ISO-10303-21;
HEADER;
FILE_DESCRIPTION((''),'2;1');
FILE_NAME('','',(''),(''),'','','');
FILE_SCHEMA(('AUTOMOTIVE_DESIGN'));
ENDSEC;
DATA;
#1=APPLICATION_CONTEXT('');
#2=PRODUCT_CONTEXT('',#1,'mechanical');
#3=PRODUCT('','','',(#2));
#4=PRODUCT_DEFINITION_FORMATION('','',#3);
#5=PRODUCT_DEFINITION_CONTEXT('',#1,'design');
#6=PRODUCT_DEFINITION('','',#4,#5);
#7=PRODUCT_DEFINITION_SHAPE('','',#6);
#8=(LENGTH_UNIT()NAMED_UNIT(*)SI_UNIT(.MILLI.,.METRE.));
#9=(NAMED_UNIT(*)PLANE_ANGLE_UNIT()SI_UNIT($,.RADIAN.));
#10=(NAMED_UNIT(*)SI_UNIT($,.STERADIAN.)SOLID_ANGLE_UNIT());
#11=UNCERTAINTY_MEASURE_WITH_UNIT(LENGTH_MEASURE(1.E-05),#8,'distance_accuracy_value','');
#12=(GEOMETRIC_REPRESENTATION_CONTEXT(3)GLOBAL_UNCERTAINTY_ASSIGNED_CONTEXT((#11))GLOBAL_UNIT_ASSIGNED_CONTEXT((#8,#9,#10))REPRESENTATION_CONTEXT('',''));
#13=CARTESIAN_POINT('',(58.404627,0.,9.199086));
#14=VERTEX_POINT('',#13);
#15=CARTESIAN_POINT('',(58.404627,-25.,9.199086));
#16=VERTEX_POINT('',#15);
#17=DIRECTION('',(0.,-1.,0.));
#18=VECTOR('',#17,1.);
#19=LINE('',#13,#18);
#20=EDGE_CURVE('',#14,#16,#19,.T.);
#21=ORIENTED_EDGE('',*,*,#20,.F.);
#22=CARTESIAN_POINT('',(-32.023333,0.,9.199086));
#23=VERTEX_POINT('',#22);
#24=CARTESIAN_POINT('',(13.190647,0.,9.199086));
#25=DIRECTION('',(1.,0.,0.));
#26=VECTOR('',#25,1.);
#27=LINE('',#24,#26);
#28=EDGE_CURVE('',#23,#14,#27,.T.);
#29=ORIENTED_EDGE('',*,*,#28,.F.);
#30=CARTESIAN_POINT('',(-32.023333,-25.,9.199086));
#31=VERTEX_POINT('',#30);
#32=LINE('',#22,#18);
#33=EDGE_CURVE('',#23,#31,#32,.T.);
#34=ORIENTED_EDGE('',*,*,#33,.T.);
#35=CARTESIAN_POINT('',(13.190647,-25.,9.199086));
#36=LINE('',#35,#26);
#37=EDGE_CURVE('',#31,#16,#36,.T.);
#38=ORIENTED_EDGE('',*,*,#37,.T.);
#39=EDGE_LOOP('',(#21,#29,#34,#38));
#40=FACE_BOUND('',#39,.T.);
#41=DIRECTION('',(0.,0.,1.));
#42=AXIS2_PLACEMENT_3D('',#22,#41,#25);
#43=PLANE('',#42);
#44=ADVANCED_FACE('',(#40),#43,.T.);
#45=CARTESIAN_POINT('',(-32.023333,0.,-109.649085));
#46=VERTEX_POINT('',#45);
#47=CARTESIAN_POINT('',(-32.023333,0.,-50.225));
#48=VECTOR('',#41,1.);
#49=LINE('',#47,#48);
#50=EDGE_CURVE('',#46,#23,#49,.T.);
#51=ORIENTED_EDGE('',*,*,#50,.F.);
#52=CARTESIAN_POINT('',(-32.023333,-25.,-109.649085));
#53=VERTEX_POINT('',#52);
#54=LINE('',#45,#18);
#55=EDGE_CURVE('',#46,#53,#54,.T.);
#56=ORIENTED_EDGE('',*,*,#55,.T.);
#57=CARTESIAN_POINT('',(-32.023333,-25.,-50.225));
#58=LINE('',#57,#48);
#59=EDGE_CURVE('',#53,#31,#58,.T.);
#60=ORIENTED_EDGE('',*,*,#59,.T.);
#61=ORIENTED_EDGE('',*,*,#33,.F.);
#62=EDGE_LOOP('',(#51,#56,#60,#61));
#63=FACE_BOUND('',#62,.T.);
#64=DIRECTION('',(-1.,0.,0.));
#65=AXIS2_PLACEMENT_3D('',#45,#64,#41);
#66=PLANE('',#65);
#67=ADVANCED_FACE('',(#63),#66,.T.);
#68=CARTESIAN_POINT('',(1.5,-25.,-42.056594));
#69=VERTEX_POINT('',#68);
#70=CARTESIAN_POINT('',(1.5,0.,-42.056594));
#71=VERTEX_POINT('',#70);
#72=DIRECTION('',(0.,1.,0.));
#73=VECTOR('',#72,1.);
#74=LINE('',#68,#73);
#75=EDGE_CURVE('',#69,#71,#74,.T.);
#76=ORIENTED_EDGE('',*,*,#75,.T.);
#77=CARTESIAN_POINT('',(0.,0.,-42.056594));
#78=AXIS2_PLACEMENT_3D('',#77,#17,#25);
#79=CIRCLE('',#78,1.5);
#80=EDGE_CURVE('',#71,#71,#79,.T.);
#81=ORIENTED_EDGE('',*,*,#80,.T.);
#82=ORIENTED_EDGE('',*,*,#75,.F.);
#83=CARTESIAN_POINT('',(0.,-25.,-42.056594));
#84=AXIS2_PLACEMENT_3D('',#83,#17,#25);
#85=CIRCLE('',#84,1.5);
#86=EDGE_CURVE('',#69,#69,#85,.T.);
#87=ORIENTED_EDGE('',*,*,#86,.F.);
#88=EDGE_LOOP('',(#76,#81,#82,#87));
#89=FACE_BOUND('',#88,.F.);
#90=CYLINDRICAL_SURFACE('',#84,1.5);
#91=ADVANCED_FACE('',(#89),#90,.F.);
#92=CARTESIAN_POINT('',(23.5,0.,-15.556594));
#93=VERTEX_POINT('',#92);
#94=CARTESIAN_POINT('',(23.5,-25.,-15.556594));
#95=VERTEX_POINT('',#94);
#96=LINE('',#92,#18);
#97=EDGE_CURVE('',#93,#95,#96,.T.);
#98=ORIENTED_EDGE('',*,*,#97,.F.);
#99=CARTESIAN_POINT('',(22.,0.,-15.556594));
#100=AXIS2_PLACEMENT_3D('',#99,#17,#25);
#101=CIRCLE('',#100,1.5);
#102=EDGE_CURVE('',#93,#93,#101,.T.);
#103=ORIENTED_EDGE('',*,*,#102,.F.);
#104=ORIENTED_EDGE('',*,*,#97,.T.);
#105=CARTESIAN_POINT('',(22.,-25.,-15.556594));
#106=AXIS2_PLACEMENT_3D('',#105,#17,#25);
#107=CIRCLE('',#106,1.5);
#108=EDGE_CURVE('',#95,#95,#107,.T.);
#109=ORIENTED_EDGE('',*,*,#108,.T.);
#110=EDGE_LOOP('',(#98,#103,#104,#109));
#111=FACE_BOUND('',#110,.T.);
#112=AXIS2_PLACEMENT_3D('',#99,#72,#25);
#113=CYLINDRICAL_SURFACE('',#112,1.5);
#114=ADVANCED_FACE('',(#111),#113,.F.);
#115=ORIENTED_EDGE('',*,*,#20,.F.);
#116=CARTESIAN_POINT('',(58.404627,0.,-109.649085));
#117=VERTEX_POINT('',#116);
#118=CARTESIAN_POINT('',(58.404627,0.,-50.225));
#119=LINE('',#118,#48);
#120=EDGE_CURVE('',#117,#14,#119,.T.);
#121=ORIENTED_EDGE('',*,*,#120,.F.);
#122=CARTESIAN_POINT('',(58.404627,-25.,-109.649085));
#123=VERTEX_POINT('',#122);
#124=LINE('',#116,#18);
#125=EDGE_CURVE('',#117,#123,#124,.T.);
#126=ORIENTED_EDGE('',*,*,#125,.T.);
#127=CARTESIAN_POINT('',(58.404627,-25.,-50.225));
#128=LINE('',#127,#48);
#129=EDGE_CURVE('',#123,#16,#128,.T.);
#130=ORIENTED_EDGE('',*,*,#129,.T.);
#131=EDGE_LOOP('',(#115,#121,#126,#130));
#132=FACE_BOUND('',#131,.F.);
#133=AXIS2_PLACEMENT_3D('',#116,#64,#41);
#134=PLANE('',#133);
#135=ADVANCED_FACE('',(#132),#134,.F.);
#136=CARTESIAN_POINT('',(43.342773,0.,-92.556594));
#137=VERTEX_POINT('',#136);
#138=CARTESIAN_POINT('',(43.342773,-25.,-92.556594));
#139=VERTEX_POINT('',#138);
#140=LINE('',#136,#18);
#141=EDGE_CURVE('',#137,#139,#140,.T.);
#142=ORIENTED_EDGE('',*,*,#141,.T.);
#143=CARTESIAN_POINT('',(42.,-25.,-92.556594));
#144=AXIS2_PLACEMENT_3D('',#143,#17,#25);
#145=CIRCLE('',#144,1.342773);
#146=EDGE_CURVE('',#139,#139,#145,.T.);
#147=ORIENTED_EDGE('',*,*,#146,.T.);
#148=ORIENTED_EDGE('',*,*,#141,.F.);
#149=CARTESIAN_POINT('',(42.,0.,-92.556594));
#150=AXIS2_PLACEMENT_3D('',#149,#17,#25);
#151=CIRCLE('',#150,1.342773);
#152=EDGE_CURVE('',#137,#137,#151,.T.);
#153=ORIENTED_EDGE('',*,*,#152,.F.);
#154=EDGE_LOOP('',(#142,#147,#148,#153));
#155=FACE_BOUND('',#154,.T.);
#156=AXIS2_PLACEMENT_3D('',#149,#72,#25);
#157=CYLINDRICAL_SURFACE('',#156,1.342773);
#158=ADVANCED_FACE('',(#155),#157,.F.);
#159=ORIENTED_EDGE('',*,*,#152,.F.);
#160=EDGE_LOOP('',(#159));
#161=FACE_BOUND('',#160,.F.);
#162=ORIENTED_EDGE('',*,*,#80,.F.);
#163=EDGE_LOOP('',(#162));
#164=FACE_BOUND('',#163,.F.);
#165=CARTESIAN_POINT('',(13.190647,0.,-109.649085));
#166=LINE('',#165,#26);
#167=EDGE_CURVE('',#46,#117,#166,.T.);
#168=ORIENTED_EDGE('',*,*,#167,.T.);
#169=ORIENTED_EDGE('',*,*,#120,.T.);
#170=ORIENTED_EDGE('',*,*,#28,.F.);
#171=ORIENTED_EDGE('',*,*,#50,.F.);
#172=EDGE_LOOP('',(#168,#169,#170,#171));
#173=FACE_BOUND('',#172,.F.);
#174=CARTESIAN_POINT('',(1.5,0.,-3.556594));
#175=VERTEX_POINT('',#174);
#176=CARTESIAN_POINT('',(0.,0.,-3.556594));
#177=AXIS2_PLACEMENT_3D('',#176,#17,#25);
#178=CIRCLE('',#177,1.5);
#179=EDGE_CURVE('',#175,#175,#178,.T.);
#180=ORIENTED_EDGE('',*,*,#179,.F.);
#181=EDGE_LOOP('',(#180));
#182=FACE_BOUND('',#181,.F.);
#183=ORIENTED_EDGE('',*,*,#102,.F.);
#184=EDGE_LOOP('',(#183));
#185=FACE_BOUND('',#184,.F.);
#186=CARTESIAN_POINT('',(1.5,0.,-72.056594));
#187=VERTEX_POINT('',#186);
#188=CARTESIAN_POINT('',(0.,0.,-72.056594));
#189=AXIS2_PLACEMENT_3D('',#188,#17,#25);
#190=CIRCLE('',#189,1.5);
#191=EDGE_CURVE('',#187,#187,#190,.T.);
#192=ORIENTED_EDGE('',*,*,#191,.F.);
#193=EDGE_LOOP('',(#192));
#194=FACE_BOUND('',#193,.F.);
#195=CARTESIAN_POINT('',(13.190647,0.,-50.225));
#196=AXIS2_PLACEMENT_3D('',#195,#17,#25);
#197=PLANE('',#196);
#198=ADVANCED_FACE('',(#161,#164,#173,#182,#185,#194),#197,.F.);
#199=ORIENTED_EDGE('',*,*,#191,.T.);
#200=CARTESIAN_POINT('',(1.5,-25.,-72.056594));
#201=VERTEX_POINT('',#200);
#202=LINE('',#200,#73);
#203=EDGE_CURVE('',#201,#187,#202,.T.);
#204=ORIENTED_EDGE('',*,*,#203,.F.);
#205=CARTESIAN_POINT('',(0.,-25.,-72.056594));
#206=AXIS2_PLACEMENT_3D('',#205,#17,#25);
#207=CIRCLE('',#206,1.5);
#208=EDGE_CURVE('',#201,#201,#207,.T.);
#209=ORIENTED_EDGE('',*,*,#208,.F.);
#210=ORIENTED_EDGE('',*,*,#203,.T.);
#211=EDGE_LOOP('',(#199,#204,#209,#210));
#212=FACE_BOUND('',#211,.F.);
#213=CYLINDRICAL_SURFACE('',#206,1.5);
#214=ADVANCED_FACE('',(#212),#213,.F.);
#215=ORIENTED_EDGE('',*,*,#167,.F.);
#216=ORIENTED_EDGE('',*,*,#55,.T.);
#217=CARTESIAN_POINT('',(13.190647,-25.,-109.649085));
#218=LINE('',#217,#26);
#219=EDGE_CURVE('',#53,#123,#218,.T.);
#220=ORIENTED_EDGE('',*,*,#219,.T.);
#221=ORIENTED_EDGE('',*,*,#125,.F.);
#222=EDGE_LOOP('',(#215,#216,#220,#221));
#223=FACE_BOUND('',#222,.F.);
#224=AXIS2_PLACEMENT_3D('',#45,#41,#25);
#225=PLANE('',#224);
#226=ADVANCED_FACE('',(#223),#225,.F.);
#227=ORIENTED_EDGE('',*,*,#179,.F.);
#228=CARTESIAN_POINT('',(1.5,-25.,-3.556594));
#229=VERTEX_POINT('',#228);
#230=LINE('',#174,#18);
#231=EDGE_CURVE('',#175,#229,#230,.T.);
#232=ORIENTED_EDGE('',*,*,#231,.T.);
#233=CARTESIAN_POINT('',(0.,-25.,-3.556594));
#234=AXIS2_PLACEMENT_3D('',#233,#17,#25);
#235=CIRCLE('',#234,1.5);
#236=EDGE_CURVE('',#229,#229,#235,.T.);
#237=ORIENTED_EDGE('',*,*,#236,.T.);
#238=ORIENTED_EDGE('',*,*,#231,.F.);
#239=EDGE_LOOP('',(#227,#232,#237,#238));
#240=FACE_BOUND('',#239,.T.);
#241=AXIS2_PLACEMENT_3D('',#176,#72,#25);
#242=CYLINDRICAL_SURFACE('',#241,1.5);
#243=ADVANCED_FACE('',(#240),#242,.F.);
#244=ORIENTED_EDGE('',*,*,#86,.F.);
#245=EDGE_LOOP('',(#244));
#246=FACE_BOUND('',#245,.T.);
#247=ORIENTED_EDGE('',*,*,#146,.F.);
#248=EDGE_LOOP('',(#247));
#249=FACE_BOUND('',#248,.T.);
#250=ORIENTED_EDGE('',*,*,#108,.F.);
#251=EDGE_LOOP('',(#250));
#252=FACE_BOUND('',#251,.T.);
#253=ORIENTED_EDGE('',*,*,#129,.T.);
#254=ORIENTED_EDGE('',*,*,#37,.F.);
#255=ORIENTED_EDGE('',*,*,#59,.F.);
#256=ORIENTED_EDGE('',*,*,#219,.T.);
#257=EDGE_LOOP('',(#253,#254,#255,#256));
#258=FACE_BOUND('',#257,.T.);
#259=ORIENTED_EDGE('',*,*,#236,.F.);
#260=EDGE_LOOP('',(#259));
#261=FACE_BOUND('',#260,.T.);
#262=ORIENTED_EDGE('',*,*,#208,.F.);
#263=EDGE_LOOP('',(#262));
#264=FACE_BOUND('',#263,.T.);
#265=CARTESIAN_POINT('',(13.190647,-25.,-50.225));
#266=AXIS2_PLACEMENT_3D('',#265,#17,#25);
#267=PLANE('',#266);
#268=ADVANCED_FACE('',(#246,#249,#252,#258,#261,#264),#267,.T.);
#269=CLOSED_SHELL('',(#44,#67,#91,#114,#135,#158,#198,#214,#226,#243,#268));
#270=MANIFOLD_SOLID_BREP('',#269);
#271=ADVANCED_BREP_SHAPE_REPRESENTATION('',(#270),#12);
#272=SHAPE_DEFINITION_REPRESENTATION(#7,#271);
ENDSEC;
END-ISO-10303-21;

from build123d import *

# Parameters (mm, degrees)
F0_W     = 90.427961
F0_H     = 118.848171
F0_R     = 1.342773
F0_R_2   = 1.5
F1_DEPTH = 25
F2_R     = 1.5
F3_DEPTH = 25


with BuildPart() as f1:
    # F0 (on Front) → F1 (new body)
    with BuildSketch(Plane.XZ):
        with Locations((13.190647, -50.225)):
            Rectangle(F0_W, F0_H)
        with Locations((42, -92.556594)):
            Circle(F0_R, mode=Mode.SUBTRACT)
        with Locations((0, -3.556594)):
            Circle(F0_R_2, mode=Mode.SUBTRACT)
        with Locations((22, -15.556594)):
            Circle(F0_R_2, mode=Mode.SUBTRACT)
    extrude(amount=F1_DEPTH)

    # F2 (on face) → F3 (cut)
    with BuildSketch(Plane.XZ.offset(25)):
        with Locations((0, -42.056594)):
            Circle(F2_R)
        with Locations((0, -72.056594)):
            Circle(F2_R)
    extrude(amount=-F3_DEPTH, mode=Mode.SUBTRACT)


solid = f1.part
